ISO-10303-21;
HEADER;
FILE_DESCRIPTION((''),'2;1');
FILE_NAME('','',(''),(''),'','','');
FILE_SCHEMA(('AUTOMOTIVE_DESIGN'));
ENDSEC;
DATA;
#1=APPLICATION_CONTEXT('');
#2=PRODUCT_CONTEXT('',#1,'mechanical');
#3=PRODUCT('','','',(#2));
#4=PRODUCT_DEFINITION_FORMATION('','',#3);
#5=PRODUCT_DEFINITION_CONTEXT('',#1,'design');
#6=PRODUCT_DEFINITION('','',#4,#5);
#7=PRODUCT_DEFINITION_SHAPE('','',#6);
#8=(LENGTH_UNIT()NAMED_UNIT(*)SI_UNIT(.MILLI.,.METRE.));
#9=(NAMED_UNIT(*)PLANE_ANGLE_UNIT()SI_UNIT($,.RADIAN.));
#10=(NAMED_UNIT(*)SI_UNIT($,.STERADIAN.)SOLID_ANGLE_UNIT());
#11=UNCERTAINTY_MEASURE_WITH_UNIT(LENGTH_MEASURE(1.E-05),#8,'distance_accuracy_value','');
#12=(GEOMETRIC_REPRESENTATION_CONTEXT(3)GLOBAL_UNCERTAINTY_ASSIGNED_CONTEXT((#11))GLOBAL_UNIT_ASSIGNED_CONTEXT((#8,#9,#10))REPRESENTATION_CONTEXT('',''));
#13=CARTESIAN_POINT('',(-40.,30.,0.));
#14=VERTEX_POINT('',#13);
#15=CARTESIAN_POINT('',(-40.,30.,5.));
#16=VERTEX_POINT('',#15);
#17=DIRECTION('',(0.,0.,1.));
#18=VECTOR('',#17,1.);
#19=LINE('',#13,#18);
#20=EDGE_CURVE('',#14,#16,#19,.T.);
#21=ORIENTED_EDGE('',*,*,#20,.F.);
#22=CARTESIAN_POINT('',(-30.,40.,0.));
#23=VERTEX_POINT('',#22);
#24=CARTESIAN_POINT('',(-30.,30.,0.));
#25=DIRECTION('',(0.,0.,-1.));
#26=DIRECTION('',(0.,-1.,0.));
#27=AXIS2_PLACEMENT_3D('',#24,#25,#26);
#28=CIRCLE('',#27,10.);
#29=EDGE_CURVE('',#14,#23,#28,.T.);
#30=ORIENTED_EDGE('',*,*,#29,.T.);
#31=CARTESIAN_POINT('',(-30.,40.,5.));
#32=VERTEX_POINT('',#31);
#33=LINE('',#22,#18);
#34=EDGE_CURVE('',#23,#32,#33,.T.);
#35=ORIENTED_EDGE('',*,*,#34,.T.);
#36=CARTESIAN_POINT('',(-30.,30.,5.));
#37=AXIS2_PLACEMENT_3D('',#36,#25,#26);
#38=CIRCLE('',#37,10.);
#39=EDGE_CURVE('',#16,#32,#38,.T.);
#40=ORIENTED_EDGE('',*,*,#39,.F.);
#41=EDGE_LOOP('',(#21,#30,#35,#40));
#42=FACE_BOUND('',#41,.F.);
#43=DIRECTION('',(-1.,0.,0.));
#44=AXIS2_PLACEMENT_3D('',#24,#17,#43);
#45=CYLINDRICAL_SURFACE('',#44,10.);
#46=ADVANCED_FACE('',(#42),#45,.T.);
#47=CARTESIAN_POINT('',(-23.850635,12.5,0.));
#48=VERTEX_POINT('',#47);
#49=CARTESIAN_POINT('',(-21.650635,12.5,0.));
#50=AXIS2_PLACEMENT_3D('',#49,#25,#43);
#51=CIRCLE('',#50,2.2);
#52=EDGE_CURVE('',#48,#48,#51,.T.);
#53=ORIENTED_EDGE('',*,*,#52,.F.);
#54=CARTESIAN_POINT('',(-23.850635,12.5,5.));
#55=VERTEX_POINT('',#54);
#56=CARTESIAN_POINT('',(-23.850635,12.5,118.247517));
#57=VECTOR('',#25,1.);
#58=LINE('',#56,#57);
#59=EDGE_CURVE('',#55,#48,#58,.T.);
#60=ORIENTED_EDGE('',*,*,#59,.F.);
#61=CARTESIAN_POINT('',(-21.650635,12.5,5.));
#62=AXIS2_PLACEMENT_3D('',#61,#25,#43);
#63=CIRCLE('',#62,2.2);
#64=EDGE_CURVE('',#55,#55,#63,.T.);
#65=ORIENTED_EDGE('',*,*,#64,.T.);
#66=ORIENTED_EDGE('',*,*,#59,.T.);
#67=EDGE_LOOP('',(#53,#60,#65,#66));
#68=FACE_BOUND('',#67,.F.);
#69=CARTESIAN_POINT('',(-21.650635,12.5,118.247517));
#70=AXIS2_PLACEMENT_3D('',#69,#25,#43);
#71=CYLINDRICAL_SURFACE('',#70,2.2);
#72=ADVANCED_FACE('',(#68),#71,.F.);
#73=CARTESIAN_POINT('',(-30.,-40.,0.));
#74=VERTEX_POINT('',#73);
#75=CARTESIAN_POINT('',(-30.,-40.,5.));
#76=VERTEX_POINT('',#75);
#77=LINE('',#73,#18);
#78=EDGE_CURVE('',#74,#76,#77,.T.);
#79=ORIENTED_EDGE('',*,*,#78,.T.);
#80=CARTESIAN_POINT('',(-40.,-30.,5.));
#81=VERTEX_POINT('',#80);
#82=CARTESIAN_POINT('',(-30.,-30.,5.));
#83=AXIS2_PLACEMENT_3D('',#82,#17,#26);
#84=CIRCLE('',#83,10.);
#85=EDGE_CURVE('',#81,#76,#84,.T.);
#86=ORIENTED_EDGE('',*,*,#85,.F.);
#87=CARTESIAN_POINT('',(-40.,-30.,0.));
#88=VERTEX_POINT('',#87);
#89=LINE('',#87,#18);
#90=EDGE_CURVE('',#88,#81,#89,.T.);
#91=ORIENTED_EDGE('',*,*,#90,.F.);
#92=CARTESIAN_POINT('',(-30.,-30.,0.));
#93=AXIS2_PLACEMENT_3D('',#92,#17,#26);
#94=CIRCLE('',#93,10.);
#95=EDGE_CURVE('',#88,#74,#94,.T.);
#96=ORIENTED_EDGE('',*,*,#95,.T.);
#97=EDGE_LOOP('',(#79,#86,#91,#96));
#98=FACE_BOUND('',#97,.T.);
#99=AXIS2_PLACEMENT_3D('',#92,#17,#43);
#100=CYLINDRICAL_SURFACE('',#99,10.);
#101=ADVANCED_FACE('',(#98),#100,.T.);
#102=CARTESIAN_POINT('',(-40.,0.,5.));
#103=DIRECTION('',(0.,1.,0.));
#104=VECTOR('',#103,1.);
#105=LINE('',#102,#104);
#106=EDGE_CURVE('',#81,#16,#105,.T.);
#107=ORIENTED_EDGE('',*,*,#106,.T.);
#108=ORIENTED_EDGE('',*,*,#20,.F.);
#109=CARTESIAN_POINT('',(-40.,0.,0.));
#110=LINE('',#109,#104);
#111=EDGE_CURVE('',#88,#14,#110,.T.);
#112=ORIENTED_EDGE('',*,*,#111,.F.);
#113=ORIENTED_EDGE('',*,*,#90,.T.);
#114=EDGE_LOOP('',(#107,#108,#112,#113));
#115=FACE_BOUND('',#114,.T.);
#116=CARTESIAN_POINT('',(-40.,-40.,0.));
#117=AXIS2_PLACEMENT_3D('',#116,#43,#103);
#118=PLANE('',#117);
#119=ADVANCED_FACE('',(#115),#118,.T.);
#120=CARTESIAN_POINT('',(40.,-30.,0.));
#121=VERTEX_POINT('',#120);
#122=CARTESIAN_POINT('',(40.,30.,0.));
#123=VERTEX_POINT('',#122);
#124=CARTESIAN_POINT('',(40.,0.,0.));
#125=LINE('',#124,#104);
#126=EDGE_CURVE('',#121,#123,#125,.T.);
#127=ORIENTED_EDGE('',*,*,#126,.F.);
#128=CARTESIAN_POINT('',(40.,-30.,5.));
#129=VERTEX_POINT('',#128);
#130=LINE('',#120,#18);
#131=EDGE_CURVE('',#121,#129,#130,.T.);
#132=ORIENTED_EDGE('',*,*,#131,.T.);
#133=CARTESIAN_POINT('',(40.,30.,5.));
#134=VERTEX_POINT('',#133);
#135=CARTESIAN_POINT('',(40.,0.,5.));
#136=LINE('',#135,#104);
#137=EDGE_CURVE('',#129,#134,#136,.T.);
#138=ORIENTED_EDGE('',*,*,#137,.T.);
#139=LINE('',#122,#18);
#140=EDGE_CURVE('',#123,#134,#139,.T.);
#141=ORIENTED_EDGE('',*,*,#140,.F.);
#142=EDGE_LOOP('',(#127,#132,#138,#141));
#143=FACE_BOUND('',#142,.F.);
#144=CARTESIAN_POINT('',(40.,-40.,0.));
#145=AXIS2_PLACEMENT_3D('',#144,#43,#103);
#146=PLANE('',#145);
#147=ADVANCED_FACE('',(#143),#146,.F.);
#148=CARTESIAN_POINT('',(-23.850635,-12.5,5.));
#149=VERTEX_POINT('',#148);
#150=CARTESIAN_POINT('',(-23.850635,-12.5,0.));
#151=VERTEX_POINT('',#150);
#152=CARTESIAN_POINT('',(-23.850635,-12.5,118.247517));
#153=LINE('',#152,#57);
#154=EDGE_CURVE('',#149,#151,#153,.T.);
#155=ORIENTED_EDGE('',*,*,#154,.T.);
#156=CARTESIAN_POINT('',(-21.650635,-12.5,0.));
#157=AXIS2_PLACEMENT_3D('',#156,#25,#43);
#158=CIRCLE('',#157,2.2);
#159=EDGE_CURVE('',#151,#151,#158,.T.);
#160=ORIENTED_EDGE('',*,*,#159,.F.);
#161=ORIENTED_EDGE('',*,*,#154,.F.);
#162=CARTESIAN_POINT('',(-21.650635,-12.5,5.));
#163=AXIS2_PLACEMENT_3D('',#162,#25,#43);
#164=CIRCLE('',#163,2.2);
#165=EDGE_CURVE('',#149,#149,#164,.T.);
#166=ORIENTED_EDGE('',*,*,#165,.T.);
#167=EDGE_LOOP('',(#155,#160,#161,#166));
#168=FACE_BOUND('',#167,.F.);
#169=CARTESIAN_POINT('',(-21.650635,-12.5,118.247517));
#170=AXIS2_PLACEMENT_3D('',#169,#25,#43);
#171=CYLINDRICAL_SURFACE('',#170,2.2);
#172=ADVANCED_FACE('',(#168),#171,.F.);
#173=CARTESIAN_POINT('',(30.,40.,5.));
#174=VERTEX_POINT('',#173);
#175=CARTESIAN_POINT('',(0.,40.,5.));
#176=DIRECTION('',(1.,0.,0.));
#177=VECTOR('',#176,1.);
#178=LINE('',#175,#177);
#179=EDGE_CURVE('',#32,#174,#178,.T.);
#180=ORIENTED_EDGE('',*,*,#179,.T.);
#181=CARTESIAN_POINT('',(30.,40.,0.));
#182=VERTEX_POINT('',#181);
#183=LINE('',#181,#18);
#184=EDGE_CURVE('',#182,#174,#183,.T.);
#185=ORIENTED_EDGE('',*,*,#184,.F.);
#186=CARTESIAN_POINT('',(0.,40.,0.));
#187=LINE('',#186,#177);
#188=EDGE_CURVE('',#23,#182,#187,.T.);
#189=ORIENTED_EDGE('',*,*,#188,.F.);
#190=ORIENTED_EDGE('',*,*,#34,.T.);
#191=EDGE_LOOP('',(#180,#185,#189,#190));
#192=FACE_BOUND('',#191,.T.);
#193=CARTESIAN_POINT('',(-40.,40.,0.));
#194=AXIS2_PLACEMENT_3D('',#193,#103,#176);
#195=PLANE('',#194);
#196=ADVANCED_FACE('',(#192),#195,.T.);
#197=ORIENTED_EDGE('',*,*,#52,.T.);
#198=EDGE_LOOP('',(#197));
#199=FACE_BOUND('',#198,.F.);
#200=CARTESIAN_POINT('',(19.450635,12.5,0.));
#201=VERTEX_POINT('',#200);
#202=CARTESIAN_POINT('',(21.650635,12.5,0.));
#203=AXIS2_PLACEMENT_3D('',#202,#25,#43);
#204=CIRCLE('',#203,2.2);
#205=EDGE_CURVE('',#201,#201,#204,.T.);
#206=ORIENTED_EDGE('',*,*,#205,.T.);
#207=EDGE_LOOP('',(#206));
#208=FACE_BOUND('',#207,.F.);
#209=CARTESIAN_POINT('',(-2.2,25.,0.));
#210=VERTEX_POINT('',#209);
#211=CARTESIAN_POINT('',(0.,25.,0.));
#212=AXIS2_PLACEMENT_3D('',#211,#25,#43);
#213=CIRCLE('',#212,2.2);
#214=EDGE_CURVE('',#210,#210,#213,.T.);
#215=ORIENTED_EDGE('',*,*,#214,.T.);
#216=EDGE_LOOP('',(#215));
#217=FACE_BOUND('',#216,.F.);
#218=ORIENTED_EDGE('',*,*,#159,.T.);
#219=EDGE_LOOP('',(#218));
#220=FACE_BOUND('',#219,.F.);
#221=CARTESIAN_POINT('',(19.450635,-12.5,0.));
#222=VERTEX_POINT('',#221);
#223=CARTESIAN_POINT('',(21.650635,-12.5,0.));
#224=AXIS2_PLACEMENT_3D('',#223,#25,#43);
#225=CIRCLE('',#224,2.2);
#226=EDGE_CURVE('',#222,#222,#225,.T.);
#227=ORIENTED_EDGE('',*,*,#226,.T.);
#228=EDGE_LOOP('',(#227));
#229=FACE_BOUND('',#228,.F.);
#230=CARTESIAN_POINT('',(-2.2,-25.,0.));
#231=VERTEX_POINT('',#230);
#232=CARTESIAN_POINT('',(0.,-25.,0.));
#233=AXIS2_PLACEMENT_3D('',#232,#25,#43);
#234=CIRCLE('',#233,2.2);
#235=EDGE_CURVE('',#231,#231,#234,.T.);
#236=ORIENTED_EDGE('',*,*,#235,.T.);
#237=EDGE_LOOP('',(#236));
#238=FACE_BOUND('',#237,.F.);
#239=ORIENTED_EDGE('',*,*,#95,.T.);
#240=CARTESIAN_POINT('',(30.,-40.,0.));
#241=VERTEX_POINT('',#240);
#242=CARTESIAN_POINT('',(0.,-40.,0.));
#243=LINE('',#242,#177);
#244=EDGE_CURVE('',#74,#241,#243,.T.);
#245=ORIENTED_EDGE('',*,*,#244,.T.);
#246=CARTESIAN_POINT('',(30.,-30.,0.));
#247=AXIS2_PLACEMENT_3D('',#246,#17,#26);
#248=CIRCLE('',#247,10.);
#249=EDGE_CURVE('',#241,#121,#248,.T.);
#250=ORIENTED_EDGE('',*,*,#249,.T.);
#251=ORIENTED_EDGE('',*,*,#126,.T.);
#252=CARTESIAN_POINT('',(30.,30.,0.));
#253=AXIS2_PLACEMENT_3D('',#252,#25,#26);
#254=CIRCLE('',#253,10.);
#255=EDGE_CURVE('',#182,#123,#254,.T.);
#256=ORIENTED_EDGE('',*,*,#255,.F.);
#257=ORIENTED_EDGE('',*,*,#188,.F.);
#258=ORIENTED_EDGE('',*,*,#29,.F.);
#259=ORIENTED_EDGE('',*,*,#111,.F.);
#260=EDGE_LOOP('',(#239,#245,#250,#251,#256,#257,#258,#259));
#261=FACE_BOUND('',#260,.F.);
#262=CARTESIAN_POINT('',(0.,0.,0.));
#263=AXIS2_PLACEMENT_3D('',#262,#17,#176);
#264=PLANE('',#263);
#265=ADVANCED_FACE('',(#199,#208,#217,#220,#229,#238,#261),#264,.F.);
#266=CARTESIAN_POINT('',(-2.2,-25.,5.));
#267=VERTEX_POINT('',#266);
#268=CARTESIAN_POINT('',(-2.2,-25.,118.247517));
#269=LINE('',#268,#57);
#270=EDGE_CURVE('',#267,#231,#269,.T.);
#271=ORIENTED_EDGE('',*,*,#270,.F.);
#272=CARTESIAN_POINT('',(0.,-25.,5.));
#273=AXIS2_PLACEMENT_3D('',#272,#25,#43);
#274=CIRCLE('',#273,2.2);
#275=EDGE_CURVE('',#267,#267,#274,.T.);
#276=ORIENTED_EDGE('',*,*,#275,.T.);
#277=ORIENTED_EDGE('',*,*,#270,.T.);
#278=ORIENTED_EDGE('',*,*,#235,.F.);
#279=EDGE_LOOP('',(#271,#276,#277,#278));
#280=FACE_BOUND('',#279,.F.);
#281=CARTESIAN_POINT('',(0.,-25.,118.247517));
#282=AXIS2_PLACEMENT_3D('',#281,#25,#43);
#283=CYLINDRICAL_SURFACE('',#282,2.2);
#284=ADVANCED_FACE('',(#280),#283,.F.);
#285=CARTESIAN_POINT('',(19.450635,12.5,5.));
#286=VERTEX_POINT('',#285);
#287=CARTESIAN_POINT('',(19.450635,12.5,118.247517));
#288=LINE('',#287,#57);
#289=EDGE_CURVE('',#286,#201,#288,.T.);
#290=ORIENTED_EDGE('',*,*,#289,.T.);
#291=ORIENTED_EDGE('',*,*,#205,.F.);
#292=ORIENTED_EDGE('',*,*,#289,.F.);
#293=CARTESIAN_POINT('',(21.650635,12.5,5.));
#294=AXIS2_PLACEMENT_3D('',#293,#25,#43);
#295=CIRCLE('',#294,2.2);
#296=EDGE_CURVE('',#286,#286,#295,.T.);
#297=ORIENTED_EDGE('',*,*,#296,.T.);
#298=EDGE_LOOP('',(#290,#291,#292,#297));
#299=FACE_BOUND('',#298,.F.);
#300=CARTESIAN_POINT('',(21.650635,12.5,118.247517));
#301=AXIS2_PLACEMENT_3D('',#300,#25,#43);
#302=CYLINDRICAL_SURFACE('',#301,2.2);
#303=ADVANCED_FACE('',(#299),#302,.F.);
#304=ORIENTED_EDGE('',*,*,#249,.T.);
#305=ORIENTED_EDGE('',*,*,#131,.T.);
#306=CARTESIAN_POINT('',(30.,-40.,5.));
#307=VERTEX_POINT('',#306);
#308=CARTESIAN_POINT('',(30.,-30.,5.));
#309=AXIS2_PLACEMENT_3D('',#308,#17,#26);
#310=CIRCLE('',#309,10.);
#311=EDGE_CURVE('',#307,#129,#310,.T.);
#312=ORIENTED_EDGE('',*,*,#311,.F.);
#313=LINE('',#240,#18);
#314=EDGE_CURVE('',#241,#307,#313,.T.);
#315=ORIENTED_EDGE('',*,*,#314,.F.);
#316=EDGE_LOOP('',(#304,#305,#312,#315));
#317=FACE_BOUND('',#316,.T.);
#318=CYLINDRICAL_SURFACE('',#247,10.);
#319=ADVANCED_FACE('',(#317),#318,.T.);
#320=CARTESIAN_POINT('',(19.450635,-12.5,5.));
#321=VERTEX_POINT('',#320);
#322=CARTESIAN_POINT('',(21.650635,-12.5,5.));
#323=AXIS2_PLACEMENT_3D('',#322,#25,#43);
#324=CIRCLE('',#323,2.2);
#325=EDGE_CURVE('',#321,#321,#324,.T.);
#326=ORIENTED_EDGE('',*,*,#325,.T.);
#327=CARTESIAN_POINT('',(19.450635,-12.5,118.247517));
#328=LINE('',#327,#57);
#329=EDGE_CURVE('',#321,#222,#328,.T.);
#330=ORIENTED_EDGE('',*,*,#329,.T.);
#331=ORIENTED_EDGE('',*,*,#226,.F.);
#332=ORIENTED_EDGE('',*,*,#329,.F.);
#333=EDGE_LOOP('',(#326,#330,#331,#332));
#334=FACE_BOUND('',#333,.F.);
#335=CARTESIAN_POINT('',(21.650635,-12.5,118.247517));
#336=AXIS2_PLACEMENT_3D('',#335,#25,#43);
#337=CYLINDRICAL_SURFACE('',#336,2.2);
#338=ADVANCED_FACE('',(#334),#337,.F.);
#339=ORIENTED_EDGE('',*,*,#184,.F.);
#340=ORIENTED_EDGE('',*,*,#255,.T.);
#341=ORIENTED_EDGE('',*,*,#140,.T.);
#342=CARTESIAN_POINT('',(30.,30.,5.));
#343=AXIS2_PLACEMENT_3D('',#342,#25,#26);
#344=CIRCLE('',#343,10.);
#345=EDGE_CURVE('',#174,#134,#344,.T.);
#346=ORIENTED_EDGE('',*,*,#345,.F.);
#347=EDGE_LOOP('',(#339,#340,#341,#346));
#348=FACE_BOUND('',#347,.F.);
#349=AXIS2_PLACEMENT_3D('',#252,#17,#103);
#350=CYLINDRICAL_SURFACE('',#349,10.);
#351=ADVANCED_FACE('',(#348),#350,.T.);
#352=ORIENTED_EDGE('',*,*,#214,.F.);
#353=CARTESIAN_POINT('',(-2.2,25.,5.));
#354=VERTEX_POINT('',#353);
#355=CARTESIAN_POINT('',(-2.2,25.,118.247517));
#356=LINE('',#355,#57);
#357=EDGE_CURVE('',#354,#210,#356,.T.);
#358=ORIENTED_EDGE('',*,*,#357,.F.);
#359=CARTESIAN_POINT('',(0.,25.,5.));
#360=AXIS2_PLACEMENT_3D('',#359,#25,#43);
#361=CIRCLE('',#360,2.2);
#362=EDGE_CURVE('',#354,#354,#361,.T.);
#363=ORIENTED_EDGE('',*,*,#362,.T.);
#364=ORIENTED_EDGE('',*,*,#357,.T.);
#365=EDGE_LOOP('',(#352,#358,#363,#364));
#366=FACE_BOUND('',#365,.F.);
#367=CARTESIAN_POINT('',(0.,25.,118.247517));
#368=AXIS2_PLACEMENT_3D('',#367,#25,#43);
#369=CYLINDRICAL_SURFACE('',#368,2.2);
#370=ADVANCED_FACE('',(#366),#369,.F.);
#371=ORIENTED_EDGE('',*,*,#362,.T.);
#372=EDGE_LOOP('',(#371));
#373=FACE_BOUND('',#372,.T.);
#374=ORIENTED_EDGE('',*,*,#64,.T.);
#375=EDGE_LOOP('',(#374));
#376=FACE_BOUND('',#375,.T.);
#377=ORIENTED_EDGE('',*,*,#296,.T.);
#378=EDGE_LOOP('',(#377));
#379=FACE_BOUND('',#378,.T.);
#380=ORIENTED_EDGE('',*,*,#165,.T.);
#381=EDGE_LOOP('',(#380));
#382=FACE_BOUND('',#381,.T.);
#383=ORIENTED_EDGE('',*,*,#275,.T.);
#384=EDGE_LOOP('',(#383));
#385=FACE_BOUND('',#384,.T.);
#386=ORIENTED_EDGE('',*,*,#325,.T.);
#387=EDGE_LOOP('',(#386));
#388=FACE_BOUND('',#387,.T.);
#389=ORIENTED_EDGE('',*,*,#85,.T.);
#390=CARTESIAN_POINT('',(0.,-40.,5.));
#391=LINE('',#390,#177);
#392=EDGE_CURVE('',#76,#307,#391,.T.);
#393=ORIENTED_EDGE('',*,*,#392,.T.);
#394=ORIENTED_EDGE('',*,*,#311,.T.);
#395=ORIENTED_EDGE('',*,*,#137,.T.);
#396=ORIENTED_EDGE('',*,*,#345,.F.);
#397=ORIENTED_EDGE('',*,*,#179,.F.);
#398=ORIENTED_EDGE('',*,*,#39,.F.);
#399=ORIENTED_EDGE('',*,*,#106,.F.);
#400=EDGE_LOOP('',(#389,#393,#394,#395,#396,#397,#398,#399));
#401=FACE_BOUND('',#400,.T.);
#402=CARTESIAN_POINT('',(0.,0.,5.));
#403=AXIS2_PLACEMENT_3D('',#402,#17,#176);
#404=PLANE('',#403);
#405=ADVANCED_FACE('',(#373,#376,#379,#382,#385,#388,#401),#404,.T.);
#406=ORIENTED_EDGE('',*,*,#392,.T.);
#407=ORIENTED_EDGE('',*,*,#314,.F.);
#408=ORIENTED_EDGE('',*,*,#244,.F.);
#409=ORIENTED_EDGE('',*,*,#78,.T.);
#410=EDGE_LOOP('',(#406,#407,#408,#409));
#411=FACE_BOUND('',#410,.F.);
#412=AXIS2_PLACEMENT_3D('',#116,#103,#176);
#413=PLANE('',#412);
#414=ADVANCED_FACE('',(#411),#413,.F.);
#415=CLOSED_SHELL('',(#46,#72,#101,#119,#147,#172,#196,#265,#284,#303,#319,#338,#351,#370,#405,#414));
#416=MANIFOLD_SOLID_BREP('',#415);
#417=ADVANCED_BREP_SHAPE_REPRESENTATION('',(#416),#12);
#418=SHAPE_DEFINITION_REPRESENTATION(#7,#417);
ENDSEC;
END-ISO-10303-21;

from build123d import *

# Parameters (mm, degrees)
F0_W     = 80
F0_H     = 80
F1_DEPTH = 5
F3_D     = 4.4
F4_R     = 10


with BuildPart() as f1:
    # F0 (on Top) → F1 (new body)
    with BuildSketch(Plane.XY):
        Rectangle(F0_W, F0_H)
    extrude(amount=F1_DEPTH)

    # F3 (through all)
    with Locations(Plane.XY.offset(5)):
        with Locations((0, 25), (21.650635, 12.5), (21.650635, -12.5), (0, -25), (-21.650635, -12.5), (-21.650635, 12.5)):
            Hole(F3_D / 2)

    # F4
    f4_edges = [f1.edges().sort_by_distance(p)[0] for p in [
        (40, -40, 2.5),
        (40, 40, 2.5),
        (-40, -40, 2.5),
        (-40, 40, 2.5),
    ]]
    fillet(f4_edges, radius=F4_R)


solid = f1.part
